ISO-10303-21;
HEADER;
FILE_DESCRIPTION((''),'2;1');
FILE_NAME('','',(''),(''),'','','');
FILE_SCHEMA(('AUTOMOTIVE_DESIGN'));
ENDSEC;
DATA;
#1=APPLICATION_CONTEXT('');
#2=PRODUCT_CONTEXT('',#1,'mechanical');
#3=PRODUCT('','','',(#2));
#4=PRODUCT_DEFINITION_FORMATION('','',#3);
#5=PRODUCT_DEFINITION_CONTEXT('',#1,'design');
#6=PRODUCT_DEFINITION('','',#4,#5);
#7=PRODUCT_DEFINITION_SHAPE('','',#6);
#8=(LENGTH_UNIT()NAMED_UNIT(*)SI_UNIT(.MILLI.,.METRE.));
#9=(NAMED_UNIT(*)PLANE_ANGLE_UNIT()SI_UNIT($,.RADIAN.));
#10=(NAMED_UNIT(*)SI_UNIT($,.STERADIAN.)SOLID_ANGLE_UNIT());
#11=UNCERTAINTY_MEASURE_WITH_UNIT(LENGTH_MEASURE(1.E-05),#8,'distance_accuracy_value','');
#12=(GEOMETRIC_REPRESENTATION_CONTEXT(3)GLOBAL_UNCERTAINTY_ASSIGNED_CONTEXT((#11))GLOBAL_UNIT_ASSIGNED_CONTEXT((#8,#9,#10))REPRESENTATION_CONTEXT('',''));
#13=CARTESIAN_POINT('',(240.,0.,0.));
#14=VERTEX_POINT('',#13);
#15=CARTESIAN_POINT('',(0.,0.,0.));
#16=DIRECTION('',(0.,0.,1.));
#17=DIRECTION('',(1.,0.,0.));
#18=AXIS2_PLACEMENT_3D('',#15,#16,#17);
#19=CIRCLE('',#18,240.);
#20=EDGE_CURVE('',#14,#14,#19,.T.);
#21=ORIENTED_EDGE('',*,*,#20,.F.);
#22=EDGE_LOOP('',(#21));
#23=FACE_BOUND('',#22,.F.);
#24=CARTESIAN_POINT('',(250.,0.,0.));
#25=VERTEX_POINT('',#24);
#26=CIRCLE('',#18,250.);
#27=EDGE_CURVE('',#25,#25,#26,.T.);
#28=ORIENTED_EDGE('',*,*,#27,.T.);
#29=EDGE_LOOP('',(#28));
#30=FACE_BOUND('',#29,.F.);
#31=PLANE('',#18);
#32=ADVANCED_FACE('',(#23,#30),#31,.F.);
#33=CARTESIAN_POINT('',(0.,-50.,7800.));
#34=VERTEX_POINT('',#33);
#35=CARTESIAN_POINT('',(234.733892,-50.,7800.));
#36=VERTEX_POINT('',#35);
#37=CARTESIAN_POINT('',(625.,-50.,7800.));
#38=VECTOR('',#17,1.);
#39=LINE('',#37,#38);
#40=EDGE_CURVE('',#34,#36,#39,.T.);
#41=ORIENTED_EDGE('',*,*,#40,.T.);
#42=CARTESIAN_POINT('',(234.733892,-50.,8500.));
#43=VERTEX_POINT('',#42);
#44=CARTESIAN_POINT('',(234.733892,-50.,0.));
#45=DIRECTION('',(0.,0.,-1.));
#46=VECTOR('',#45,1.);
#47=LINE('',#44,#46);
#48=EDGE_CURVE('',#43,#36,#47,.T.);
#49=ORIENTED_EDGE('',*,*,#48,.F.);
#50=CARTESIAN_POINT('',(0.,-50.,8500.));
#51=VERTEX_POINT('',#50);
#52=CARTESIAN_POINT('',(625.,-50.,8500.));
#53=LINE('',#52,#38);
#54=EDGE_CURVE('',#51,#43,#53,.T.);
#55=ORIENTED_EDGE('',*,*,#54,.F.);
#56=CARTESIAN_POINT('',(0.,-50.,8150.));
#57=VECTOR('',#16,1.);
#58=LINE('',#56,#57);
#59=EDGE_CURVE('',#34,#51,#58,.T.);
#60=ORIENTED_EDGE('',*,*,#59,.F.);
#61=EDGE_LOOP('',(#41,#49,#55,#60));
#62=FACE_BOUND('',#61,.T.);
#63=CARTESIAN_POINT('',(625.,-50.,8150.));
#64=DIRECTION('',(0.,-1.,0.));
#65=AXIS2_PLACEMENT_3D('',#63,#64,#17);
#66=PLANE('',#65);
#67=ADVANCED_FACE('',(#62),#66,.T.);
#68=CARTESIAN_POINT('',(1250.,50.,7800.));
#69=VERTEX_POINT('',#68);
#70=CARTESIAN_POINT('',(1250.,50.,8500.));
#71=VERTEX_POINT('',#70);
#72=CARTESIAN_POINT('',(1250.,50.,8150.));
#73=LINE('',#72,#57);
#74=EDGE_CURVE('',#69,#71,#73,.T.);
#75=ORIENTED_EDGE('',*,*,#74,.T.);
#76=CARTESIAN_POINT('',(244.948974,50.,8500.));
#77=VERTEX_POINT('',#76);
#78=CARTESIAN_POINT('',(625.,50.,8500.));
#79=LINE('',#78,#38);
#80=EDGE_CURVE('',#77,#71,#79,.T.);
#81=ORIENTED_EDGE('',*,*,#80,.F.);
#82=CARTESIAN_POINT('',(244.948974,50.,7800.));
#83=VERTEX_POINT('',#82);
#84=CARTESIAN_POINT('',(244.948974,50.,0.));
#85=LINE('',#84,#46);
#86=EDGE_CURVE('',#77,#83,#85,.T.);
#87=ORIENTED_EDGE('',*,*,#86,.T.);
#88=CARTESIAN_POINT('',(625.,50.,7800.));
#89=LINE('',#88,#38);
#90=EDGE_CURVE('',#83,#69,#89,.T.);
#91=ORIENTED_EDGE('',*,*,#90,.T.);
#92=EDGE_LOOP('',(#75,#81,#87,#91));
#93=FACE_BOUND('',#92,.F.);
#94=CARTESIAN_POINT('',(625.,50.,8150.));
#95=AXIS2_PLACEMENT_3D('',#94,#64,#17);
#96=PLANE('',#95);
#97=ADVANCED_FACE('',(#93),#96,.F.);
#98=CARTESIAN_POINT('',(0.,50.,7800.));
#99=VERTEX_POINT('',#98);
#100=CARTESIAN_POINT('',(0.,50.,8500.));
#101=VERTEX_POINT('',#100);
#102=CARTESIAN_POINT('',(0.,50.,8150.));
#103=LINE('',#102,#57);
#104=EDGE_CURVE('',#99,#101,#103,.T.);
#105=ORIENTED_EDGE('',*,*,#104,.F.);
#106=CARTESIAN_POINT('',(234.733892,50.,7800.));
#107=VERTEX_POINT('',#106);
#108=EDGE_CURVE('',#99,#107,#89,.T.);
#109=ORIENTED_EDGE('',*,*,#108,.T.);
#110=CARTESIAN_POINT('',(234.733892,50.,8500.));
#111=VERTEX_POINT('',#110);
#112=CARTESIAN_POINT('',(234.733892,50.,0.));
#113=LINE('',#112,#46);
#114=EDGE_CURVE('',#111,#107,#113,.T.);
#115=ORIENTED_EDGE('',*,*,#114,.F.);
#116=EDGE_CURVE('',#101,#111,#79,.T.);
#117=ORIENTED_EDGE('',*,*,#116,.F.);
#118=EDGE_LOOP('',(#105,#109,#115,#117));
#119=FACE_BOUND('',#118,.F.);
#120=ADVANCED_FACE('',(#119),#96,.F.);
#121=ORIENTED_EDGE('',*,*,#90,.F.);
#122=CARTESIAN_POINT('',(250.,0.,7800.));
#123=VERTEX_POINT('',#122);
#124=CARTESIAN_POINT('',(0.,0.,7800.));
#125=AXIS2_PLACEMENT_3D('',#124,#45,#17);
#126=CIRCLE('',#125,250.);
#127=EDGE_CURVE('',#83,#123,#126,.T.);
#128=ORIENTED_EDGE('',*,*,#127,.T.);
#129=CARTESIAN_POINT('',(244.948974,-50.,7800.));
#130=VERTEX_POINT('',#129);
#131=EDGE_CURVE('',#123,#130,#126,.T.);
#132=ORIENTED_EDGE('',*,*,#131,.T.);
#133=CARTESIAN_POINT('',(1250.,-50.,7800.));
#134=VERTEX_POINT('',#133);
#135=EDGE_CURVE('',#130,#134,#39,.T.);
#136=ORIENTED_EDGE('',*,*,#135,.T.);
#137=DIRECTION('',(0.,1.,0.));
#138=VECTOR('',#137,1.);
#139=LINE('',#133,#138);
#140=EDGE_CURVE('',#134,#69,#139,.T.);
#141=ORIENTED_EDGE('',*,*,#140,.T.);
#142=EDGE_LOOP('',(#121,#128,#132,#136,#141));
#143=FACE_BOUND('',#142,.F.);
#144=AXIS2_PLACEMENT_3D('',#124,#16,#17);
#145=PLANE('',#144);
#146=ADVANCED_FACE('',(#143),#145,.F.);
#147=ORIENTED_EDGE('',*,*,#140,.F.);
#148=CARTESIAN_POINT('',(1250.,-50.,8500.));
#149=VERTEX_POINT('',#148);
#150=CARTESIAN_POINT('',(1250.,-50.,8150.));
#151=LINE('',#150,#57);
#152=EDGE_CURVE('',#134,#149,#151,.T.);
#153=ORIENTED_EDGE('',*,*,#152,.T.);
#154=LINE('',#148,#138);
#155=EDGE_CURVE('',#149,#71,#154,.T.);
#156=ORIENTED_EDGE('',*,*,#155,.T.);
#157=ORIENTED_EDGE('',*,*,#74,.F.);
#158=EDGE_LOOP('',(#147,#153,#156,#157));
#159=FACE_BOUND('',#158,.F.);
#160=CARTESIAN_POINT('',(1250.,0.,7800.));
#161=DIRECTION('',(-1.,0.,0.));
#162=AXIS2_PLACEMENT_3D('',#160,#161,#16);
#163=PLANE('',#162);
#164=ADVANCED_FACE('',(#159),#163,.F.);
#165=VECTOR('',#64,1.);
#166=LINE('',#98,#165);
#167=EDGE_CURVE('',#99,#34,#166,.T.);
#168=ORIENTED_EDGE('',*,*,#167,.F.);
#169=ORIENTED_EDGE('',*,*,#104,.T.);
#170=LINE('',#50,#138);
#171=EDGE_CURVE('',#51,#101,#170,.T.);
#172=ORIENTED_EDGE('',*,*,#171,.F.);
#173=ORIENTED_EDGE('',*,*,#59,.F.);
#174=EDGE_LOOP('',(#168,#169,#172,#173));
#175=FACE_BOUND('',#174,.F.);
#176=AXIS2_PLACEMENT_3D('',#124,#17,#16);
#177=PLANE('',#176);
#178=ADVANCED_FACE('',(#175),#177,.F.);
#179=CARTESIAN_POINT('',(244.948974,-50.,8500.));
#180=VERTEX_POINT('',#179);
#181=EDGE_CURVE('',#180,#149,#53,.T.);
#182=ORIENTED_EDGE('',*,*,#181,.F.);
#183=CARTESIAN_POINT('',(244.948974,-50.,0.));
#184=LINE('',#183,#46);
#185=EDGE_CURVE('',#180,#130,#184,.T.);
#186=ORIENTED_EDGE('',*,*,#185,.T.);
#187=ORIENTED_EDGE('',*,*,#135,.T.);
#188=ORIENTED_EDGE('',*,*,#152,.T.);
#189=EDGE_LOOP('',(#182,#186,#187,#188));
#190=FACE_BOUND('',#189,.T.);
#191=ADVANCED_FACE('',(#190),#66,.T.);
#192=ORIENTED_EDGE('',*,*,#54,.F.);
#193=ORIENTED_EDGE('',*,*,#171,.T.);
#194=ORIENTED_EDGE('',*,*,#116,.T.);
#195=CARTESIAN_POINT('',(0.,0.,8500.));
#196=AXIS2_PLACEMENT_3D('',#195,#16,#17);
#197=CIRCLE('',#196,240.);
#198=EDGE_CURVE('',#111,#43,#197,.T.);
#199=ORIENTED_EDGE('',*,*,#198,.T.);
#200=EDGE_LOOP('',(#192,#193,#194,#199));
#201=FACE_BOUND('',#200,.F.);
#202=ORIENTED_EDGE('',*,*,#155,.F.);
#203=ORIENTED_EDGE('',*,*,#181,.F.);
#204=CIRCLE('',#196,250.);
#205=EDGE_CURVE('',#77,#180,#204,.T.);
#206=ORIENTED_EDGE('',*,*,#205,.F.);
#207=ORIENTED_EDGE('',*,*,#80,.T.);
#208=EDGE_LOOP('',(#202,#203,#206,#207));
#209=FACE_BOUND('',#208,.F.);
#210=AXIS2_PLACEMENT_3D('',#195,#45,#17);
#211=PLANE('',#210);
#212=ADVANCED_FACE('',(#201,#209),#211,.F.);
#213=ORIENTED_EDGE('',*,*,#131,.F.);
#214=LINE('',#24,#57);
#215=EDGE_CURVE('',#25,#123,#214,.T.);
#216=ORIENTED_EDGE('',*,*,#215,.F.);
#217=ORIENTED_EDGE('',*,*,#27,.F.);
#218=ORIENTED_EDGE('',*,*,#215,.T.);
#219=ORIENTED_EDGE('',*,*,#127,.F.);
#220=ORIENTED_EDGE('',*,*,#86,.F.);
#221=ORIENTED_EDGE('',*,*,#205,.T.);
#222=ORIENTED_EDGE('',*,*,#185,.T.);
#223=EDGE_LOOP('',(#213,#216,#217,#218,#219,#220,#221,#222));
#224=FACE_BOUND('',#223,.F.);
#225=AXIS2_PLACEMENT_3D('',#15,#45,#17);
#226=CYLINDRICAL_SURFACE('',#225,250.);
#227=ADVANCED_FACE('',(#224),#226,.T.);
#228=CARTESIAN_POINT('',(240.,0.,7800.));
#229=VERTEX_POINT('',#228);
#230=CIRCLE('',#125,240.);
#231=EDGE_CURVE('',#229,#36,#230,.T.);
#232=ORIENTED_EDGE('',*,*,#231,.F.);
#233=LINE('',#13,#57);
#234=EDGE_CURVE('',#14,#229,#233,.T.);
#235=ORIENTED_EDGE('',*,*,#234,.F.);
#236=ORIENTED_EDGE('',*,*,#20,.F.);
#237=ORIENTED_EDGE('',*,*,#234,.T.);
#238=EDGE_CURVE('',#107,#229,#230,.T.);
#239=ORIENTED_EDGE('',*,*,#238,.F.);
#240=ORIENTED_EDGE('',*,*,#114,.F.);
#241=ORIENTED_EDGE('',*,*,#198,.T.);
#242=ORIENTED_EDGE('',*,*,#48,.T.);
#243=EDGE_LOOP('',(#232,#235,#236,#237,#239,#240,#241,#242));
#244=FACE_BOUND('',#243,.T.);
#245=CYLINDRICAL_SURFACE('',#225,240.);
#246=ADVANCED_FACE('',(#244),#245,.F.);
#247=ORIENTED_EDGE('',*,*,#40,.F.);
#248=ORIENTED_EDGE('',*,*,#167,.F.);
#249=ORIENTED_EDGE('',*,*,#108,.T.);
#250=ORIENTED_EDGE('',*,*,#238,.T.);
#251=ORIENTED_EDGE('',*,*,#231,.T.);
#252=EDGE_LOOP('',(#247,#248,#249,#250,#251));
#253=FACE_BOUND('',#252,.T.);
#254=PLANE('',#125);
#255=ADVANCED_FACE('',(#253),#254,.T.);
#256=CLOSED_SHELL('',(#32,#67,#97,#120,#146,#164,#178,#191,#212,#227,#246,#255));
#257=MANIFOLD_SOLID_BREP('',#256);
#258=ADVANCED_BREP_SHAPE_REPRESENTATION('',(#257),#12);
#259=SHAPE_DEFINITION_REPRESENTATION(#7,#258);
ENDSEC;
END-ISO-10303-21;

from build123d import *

# Parameters (mm, degrees)
F0_R          = 250
F0_R_2        = 240
F1_DEPTH      = 8500
F2_W          = 1250
F2_H          = 700
F3_DEPTH      = 50
F3_DEPTH_BACK = 50


with BuildPart() as f1:
    # F0 (on Top) → F1 (new body)
    with BuildSketch(Plane.XY):
        Circle(F0_R)
        Circle(F0_R_2, mode=Mode.SUBTRACT)
    extrude(amount=F1_DEPTH)

    # F2 (on Front) → F3 (join, two sides)
    with BuildSketch(Plane.XZ) as f3_sk:
        with Locations((625, 8150)):
            Rectangle(F2_W, F2_H)
    extrude(amount=F3_DEPTH)
    extrude(f3_sk.sketch, amount=-F3_DEPTH_BACK)


solid = f1.part
